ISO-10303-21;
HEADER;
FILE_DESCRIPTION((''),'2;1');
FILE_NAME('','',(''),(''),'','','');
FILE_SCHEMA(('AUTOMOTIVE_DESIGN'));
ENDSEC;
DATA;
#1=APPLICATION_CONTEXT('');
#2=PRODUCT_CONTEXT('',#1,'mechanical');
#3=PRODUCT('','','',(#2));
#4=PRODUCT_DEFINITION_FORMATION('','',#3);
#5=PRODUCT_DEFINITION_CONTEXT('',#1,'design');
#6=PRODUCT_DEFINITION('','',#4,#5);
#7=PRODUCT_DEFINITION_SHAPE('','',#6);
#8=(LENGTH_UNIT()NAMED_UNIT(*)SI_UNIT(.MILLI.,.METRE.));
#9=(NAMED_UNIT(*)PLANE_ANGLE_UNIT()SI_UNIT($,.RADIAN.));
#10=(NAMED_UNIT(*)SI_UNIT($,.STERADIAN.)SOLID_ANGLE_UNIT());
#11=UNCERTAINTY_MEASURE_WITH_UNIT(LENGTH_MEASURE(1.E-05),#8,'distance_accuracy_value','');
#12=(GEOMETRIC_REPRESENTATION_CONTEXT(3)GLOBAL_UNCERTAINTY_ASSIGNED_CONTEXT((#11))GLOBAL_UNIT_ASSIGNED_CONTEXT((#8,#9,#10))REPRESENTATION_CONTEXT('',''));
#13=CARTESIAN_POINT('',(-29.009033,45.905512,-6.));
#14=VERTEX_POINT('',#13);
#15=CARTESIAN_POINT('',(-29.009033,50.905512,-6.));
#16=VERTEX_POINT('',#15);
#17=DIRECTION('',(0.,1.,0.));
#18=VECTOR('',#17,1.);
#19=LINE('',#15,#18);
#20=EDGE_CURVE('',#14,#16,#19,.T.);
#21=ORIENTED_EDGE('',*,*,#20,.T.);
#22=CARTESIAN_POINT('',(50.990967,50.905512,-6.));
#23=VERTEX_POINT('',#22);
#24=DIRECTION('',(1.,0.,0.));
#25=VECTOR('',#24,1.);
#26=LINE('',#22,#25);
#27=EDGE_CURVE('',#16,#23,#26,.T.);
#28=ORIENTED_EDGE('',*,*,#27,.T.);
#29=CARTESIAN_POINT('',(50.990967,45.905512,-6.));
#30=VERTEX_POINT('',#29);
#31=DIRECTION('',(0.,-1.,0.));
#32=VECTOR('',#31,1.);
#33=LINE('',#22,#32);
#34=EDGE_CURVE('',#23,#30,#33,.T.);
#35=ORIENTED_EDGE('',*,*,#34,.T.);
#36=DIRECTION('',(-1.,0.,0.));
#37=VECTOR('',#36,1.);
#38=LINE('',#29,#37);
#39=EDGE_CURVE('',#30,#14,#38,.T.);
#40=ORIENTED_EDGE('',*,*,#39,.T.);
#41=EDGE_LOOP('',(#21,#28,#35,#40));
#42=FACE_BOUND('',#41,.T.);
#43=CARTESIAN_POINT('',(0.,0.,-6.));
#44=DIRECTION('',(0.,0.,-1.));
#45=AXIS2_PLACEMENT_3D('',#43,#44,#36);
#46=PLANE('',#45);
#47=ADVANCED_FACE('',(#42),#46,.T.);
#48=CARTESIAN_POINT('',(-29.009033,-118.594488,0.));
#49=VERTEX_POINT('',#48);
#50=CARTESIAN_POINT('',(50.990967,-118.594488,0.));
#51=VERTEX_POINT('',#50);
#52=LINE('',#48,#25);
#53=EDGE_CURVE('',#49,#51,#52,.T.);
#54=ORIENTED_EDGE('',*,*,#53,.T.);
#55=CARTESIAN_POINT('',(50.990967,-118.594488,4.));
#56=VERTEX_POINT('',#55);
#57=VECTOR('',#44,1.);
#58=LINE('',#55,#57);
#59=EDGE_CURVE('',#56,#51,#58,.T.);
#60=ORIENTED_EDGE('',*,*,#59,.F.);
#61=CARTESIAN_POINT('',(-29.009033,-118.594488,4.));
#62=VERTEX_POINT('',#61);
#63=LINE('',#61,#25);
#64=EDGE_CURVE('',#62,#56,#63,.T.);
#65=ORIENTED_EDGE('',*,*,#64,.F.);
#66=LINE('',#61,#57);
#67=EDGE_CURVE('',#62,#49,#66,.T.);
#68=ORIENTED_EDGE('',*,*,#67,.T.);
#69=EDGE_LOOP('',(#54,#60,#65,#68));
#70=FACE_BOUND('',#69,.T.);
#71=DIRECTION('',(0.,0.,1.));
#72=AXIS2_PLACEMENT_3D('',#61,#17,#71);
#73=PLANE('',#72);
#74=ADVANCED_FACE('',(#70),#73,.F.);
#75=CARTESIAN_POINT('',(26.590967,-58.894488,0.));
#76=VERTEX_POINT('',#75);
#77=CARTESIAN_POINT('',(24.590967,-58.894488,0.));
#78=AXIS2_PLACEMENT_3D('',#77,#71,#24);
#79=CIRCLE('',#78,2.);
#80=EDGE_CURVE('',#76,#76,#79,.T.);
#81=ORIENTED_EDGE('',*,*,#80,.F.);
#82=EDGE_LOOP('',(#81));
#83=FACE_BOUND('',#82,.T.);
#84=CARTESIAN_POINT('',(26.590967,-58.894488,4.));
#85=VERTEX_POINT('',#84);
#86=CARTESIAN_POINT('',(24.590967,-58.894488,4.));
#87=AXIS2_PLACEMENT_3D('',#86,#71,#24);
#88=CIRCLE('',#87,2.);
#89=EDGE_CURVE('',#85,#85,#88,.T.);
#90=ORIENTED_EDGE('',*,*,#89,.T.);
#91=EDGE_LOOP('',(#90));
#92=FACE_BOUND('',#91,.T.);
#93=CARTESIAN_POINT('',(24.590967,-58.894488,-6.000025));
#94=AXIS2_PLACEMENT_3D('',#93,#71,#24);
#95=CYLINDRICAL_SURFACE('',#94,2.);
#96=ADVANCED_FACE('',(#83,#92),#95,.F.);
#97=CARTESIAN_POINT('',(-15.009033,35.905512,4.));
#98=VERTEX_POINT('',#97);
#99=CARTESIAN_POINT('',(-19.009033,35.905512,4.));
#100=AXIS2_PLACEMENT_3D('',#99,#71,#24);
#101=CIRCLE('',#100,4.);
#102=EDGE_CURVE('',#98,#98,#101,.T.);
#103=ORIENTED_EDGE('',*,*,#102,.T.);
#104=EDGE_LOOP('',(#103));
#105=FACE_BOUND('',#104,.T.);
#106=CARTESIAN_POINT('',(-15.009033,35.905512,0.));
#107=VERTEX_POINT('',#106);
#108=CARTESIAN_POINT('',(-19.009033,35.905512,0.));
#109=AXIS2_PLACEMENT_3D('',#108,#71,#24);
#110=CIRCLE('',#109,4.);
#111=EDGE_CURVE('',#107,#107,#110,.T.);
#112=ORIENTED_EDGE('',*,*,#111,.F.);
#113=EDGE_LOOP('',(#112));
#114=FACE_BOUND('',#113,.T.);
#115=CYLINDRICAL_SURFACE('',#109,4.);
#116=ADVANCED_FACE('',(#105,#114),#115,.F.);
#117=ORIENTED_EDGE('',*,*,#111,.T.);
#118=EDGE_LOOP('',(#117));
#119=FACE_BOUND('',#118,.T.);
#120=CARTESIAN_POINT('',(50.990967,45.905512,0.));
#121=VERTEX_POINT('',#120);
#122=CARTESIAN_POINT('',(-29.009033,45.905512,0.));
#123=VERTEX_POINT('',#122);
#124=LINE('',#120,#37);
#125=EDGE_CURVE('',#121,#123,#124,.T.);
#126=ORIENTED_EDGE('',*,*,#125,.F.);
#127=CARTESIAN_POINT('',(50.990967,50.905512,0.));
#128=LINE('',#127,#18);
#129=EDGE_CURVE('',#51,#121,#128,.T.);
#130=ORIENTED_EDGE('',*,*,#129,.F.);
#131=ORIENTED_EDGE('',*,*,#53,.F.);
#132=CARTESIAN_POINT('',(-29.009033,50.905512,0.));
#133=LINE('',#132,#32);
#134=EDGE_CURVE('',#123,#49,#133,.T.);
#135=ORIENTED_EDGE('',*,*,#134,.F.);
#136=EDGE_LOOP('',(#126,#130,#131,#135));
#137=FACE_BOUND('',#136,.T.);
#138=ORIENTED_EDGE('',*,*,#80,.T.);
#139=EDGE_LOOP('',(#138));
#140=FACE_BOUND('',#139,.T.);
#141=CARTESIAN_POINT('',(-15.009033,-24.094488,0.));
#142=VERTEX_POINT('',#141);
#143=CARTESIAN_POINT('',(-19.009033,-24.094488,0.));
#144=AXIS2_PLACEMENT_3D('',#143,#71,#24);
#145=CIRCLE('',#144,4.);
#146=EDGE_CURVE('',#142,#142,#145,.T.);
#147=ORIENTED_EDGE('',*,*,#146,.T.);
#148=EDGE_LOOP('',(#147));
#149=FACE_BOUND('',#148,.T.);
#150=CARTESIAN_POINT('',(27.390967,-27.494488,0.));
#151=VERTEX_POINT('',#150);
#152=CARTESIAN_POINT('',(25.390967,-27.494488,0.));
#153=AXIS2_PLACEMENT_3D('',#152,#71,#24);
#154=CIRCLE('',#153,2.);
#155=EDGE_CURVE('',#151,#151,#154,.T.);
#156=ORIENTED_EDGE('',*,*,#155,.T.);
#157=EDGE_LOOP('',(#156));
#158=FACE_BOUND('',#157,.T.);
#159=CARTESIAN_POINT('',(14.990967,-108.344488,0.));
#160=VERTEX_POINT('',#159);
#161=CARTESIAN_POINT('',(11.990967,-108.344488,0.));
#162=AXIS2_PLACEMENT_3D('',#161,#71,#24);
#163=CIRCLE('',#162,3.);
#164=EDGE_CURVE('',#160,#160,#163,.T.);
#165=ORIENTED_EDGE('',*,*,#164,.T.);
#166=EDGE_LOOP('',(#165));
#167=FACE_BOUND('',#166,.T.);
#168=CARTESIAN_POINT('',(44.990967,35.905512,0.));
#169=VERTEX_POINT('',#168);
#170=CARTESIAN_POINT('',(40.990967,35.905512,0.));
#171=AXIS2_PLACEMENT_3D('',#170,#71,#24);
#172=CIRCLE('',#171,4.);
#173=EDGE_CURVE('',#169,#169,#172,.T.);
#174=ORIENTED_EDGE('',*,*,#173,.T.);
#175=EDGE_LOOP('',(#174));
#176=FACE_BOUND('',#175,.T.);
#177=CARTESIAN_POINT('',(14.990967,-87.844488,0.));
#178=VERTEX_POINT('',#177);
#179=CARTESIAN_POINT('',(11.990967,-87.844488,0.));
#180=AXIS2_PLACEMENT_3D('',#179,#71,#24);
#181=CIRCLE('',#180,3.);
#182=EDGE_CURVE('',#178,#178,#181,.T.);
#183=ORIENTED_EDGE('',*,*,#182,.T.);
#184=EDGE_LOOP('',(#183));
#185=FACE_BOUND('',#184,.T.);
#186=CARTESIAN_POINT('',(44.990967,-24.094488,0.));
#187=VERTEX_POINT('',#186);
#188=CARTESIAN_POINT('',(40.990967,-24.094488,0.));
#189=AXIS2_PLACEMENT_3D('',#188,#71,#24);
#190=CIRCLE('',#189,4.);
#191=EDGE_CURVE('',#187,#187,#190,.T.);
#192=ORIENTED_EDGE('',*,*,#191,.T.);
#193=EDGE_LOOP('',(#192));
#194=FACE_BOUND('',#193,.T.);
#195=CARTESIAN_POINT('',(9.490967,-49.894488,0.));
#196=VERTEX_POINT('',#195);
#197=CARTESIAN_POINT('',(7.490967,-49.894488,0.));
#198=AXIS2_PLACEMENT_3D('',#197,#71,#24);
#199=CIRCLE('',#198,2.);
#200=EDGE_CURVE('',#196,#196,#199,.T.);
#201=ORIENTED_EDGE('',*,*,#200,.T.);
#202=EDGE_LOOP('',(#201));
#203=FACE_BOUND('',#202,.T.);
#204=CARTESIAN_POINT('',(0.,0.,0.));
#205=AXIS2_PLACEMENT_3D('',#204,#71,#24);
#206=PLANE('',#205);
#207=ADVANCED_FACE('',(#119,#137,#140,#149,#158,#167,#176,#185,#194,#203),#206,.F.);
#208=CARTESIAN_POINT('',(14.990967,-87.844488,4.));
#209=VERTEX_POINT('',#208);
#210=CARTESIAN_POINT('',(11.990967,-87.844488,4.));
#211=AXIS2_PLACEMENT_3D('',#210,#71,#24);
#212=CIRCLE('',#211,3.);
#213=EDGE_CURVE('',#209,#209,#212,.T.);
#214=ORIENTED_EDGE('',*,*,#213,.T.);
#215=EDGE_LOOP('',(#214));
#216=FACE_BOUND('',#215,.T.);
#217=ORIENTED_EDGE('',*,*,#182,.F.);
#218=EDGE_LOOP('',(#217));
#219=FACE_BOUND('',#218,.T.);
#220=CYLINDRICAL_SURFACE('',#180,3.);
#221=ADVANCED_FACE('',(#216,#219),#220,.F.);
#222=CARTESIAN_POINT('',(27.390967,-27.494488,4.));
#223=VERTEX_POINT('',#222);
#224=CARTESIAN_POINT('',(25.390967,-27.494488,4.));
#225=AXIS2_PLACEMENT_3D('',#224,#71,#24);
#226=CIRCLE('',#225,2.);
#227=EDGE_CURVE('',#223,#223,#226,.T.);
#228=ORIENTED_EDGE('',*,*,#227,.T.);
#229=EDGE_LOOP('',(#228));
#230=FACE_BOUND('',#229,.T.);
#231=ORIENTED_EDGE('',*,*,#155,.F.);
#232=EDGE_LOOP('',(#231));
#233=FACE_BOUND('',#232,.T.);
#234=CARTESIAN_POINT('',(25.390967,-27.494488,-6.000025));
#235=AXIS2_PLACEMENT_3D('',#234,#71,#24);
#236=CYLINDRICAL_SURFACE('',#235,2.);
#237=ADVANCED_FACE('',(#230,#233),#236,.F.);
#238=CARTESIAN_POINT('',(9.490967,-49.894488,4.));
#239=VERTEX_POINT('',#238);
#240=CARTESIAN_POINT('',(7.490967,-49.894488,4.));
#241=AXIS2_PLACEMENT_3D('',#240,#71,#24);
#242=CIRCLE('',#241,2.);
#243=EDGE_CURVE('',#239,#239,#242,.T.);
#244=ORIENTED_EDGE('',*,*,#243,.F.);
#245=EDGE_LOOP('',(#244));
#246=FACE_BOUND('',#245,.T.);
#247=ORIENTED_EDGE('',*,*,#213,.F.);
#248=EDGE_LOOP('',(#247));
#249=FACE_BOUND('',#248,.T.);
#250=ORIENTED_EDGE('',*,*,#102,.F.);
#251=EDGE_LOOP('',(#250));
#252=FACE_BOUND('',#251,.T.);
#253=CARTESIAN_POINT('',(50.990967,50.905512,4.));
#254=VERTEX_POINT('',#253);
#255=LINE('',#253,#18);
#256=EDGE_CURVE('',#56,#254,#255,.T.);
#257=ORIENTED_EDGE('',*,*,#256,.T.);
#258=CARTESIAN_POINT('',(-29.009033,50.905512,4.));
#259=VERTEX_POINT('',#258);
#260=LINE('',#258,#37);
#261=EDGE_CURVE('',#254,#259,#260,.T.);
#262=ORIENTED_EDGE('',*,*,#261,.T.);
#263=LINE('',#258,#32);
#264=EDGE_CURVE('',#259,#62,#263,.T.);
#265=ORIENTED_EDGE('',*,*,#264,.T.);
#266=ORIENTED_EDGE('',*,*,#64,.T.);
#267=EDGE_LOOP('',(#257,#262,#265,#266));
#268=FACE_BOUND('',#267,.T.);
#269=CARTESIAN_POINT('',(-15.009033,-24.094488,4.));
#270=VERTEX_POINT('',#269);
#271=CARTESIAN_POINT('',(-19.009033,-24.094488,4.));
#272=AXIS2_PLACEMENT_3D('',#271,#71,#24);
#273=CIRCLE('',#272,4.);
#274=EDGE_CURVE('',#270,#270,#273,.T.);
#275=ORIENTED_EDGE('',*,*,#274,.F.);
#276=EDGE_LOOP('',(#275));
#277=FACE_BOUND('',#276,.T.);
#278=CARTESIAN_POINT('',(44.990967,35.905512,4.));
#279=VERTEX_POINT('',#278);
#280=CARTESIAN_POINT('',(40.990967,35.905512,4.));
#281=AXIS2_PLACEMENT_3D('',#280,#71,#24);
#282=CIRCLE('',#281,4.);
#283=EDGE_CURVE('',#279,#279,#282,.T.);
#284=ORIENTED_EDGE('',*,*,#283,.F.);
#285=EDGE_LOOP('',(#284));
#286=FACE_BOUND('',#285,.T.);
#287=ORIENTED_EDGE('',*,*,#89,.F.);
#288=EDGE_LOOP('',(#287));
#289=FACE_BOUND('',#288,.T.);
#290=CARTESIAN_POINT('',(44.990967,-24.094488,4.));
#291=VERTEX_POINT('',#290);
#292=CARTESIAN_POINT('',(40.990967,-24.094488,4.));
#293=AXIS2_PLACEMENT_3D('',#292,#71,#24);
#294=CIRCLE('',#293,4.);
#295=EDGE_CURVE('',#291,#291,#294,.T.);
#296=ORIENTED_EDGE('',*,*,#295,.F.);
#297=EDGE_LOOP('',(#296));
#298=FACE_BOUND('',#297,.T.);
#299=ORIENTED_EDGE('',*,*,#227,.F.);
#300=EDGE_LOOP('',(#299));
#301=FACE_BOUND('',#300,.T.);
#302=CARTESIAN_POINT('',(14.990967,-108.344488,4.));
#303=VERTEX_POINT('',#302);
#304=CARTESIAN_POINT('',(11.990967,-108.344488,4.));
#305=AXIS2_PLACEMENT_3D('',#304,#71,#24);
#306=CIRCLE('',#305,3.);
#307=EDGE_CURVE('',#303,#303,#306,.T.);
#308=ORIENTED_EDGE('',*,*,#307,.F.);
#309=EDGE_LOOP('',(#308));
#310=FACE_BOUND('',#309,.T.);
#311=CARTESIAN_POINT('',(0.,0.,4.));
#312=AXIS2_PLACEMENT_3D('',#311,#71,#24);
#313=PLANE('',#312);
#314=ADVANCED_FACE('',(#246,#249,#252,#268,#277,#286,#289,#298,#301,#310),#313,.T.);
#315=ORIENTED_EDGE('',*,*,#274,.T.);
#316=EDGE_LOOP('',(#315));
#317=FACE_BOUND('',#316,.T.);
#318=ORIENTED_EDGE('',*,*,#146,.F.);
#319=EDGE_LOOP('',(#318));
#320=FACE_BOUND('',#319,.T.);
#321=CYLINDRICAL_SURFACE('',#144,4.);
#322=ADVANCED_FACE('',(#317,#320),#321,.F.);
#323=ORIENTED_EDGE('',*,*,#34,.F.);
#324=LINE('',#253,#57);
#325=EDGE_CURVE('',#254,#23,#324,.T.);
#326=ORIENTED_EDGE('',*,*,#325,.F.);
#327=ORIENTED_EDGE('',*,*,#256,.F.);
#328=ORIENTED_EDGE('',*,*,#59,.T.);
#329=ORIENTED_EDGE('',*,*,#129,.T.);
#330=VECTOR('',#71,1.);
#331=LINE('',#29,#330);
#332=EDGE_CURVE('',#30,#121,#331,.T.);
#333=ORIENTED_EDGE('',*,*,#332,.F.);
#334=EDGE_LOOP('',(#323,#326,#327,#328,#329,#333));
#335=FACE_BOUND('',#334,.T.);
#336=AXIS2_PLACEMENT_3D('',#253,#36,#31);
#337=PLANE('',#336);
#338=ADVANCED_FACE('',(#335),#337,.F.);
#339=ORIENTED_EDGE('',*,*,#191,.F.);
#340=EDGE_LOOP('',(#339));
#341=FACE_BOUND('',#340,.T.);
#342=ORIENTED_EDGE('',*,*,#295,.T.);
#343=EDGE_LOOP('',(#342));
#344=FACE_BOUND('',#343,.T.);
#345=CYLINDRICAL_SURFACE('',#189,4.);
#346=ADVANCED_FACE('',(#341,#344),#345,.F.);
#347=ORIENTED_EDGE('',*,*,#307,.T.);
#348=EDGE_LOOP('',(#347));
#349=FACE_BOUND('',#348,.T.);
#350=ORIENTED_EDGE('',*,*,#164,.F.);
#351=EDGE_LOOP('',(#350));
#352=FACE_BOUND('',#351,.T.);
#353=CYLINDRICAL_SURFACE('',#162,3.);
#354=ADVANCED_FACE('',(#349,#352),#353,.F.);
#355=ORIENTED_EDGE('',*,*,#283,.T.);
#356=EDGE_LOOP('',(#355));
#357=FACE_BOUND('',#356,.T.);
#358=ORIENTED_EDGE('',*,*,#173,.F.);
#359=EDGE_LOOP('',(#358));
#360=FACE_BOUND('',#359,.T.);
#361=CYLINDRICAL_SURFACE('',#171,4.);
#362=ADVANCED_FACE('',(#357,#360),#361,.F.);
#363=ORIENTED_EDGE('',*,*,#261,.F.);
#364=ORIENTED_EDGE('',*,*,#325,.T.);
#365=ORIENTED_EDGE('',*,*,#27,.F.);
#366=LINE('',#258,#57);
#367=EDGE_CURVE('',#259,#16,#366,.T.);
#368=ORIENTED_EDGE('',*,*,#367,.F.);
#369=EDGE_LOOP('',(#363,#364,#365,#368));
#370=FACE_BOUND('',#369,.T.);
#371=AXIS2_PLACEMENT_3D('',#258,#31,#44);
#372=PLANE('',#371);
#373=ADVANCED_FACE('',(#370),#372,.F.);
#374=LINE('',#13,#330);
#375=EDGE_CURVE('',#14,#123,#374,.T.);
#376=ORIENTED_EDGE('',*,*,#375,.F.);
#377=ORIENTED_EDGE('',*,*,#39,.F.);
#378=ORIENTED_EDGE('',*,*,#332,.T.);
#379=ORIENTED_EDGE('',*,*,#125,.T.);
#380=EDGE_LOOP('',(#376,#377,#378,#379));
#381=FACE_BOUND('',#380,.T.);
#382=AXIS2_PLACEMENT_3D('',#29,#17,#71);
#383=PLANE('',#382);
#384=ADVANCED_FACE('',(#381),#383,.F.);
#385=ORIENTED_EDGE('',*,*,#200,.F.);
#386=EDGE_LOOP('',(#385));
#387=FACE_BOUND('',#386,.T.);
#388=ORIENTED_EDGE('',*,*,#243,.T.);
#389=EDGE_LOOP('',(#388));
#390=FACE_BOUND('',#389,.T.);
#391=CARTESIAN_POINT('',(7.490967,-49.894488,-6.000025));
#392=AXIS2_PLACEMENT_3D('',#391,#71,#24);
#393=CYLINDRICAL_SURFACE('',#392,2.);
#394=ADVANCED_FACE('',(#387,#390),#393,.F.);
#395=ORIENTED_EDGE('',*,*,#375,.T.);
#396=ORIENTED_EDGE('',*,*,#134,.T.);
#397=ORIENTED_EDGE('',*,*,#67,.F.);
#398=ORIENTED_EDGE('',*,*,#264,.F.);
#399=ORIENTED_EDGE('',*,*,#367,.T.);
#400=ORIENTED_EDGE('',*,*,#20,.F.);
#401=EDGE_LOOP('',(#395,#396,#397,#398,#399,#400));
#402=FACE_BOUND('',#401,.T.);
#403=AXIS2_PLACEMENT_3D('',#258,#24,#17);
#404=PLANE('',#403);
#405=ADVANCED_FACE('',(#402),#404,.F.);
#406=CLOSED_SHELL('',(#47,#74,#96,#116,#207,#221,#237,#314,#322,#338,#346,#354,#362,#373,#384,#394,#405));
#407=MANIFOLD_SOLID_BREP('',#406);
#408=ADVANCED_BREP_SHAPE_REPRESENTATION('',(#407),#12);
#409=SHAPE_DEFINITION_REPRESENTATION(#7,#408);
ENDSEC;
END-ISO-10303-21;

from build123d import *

# Parameters (mm, degrees)
ESQUISSE1_W             = 80
ESQUISSE1_H             = 169.5
BOSS_EXTRU_1_DEPTH      = 4
ESQUISSE2_R             = 4
ENL_V_MAT_EXTRU_1_DEPTH = 5
ESQUISSE5_R             = 3
ENL_V_MAT_EXTRU_2_DEPTH = 5
ESQUISSE6_W             = 80
ESQUISSE6_H             = 5
BOSS_EXTRU_2_DEPTH      = 6
ESQUISSE7_R             = 2
ENL_V_MAT_EXTRU_5_DEPTH = 11


with BuildPart() as part:
    # Esquisse1 → Boss.-Extru.1 (new body)
    with BuildSketch(Plane.XY):
        with Locations((10.990966959, -33.844488189)):
            Rectangle(ESQUISSE1_W, ESQUISSE1_H)
    extrude(amount=BOSS_EXTRU_1_DEPTH)

    # Esquisse2 → Enlèv. mat.-Extru.1 (cut, through all)
    with BuildSketch(Plane.XY.offset(4)):
        with Locations((-19.009033041, 35.905511811)):
            Circle(ESQUISSE2_R)
        with Locations((40.990966959, 35.905511811)):
            Circle(ESQUISSE2_R)
        with Locations((-19.009033041, -24.094488189)):
            Circle(ESQUISSE2_R)
        with Locations((40.990966959, -24.094488189)):
            Circle(ESQUISSE2_R)
    extrude(amount=-ENL_V_MAT_EXTRU_1_DEPTH, mode=Mode.SUBTRACT)

    # Esquisse5 → Enlèv. mat.-Extru.2 (cut, through all)
    with BuildSketch(Plane.XY.offset(4)):
        with Locations((11.990966959, -108.344488189)):
            Circle(ESQUISSE5_R)
        with Locations((11.990966959, -87.844488189)):
            Circle(ESQUISSE5_R)
    extrude(amount=-ENL_V_MAT_EXTRU_2_DEPTH, mode=Mode.SUBTRACT)

    # Esquisse6 → Boss.-Extru.2 (add)
    with BuildSketch(Plane(origin=(0, 0, 0), x_dir=(-1, 0, 0), z_dir=(0, 0, -1))):
        with Locations((-10.990966959, 48.405511811)):
            Rectangle(ESQUISSE6_W, ESQUISSE6_H)
    extrude(amount=BOSS_EXTRU_2_DEPTH)

    # Esquisse7 → Enlèv. mat.-Extru.5 (cut, through all)
    with BuildSketch(Plane.XY.offset(4)):
        with Locations((7.490966959, -49.894488189)):
            Circle(ESQUISSE7_R)
        with Locations((25.390966959, -27.494488189)):
            Circle(ESQUISSE7_R)
        with Locations((24.590966959, -58.894488189)):
            Circle(ESQUISSE7_R)
    extrude(amount=-ENL_V_MAT_EXTRU_5_DEPTH, mode=Mode.SUBTRACT)


solid = part.part
